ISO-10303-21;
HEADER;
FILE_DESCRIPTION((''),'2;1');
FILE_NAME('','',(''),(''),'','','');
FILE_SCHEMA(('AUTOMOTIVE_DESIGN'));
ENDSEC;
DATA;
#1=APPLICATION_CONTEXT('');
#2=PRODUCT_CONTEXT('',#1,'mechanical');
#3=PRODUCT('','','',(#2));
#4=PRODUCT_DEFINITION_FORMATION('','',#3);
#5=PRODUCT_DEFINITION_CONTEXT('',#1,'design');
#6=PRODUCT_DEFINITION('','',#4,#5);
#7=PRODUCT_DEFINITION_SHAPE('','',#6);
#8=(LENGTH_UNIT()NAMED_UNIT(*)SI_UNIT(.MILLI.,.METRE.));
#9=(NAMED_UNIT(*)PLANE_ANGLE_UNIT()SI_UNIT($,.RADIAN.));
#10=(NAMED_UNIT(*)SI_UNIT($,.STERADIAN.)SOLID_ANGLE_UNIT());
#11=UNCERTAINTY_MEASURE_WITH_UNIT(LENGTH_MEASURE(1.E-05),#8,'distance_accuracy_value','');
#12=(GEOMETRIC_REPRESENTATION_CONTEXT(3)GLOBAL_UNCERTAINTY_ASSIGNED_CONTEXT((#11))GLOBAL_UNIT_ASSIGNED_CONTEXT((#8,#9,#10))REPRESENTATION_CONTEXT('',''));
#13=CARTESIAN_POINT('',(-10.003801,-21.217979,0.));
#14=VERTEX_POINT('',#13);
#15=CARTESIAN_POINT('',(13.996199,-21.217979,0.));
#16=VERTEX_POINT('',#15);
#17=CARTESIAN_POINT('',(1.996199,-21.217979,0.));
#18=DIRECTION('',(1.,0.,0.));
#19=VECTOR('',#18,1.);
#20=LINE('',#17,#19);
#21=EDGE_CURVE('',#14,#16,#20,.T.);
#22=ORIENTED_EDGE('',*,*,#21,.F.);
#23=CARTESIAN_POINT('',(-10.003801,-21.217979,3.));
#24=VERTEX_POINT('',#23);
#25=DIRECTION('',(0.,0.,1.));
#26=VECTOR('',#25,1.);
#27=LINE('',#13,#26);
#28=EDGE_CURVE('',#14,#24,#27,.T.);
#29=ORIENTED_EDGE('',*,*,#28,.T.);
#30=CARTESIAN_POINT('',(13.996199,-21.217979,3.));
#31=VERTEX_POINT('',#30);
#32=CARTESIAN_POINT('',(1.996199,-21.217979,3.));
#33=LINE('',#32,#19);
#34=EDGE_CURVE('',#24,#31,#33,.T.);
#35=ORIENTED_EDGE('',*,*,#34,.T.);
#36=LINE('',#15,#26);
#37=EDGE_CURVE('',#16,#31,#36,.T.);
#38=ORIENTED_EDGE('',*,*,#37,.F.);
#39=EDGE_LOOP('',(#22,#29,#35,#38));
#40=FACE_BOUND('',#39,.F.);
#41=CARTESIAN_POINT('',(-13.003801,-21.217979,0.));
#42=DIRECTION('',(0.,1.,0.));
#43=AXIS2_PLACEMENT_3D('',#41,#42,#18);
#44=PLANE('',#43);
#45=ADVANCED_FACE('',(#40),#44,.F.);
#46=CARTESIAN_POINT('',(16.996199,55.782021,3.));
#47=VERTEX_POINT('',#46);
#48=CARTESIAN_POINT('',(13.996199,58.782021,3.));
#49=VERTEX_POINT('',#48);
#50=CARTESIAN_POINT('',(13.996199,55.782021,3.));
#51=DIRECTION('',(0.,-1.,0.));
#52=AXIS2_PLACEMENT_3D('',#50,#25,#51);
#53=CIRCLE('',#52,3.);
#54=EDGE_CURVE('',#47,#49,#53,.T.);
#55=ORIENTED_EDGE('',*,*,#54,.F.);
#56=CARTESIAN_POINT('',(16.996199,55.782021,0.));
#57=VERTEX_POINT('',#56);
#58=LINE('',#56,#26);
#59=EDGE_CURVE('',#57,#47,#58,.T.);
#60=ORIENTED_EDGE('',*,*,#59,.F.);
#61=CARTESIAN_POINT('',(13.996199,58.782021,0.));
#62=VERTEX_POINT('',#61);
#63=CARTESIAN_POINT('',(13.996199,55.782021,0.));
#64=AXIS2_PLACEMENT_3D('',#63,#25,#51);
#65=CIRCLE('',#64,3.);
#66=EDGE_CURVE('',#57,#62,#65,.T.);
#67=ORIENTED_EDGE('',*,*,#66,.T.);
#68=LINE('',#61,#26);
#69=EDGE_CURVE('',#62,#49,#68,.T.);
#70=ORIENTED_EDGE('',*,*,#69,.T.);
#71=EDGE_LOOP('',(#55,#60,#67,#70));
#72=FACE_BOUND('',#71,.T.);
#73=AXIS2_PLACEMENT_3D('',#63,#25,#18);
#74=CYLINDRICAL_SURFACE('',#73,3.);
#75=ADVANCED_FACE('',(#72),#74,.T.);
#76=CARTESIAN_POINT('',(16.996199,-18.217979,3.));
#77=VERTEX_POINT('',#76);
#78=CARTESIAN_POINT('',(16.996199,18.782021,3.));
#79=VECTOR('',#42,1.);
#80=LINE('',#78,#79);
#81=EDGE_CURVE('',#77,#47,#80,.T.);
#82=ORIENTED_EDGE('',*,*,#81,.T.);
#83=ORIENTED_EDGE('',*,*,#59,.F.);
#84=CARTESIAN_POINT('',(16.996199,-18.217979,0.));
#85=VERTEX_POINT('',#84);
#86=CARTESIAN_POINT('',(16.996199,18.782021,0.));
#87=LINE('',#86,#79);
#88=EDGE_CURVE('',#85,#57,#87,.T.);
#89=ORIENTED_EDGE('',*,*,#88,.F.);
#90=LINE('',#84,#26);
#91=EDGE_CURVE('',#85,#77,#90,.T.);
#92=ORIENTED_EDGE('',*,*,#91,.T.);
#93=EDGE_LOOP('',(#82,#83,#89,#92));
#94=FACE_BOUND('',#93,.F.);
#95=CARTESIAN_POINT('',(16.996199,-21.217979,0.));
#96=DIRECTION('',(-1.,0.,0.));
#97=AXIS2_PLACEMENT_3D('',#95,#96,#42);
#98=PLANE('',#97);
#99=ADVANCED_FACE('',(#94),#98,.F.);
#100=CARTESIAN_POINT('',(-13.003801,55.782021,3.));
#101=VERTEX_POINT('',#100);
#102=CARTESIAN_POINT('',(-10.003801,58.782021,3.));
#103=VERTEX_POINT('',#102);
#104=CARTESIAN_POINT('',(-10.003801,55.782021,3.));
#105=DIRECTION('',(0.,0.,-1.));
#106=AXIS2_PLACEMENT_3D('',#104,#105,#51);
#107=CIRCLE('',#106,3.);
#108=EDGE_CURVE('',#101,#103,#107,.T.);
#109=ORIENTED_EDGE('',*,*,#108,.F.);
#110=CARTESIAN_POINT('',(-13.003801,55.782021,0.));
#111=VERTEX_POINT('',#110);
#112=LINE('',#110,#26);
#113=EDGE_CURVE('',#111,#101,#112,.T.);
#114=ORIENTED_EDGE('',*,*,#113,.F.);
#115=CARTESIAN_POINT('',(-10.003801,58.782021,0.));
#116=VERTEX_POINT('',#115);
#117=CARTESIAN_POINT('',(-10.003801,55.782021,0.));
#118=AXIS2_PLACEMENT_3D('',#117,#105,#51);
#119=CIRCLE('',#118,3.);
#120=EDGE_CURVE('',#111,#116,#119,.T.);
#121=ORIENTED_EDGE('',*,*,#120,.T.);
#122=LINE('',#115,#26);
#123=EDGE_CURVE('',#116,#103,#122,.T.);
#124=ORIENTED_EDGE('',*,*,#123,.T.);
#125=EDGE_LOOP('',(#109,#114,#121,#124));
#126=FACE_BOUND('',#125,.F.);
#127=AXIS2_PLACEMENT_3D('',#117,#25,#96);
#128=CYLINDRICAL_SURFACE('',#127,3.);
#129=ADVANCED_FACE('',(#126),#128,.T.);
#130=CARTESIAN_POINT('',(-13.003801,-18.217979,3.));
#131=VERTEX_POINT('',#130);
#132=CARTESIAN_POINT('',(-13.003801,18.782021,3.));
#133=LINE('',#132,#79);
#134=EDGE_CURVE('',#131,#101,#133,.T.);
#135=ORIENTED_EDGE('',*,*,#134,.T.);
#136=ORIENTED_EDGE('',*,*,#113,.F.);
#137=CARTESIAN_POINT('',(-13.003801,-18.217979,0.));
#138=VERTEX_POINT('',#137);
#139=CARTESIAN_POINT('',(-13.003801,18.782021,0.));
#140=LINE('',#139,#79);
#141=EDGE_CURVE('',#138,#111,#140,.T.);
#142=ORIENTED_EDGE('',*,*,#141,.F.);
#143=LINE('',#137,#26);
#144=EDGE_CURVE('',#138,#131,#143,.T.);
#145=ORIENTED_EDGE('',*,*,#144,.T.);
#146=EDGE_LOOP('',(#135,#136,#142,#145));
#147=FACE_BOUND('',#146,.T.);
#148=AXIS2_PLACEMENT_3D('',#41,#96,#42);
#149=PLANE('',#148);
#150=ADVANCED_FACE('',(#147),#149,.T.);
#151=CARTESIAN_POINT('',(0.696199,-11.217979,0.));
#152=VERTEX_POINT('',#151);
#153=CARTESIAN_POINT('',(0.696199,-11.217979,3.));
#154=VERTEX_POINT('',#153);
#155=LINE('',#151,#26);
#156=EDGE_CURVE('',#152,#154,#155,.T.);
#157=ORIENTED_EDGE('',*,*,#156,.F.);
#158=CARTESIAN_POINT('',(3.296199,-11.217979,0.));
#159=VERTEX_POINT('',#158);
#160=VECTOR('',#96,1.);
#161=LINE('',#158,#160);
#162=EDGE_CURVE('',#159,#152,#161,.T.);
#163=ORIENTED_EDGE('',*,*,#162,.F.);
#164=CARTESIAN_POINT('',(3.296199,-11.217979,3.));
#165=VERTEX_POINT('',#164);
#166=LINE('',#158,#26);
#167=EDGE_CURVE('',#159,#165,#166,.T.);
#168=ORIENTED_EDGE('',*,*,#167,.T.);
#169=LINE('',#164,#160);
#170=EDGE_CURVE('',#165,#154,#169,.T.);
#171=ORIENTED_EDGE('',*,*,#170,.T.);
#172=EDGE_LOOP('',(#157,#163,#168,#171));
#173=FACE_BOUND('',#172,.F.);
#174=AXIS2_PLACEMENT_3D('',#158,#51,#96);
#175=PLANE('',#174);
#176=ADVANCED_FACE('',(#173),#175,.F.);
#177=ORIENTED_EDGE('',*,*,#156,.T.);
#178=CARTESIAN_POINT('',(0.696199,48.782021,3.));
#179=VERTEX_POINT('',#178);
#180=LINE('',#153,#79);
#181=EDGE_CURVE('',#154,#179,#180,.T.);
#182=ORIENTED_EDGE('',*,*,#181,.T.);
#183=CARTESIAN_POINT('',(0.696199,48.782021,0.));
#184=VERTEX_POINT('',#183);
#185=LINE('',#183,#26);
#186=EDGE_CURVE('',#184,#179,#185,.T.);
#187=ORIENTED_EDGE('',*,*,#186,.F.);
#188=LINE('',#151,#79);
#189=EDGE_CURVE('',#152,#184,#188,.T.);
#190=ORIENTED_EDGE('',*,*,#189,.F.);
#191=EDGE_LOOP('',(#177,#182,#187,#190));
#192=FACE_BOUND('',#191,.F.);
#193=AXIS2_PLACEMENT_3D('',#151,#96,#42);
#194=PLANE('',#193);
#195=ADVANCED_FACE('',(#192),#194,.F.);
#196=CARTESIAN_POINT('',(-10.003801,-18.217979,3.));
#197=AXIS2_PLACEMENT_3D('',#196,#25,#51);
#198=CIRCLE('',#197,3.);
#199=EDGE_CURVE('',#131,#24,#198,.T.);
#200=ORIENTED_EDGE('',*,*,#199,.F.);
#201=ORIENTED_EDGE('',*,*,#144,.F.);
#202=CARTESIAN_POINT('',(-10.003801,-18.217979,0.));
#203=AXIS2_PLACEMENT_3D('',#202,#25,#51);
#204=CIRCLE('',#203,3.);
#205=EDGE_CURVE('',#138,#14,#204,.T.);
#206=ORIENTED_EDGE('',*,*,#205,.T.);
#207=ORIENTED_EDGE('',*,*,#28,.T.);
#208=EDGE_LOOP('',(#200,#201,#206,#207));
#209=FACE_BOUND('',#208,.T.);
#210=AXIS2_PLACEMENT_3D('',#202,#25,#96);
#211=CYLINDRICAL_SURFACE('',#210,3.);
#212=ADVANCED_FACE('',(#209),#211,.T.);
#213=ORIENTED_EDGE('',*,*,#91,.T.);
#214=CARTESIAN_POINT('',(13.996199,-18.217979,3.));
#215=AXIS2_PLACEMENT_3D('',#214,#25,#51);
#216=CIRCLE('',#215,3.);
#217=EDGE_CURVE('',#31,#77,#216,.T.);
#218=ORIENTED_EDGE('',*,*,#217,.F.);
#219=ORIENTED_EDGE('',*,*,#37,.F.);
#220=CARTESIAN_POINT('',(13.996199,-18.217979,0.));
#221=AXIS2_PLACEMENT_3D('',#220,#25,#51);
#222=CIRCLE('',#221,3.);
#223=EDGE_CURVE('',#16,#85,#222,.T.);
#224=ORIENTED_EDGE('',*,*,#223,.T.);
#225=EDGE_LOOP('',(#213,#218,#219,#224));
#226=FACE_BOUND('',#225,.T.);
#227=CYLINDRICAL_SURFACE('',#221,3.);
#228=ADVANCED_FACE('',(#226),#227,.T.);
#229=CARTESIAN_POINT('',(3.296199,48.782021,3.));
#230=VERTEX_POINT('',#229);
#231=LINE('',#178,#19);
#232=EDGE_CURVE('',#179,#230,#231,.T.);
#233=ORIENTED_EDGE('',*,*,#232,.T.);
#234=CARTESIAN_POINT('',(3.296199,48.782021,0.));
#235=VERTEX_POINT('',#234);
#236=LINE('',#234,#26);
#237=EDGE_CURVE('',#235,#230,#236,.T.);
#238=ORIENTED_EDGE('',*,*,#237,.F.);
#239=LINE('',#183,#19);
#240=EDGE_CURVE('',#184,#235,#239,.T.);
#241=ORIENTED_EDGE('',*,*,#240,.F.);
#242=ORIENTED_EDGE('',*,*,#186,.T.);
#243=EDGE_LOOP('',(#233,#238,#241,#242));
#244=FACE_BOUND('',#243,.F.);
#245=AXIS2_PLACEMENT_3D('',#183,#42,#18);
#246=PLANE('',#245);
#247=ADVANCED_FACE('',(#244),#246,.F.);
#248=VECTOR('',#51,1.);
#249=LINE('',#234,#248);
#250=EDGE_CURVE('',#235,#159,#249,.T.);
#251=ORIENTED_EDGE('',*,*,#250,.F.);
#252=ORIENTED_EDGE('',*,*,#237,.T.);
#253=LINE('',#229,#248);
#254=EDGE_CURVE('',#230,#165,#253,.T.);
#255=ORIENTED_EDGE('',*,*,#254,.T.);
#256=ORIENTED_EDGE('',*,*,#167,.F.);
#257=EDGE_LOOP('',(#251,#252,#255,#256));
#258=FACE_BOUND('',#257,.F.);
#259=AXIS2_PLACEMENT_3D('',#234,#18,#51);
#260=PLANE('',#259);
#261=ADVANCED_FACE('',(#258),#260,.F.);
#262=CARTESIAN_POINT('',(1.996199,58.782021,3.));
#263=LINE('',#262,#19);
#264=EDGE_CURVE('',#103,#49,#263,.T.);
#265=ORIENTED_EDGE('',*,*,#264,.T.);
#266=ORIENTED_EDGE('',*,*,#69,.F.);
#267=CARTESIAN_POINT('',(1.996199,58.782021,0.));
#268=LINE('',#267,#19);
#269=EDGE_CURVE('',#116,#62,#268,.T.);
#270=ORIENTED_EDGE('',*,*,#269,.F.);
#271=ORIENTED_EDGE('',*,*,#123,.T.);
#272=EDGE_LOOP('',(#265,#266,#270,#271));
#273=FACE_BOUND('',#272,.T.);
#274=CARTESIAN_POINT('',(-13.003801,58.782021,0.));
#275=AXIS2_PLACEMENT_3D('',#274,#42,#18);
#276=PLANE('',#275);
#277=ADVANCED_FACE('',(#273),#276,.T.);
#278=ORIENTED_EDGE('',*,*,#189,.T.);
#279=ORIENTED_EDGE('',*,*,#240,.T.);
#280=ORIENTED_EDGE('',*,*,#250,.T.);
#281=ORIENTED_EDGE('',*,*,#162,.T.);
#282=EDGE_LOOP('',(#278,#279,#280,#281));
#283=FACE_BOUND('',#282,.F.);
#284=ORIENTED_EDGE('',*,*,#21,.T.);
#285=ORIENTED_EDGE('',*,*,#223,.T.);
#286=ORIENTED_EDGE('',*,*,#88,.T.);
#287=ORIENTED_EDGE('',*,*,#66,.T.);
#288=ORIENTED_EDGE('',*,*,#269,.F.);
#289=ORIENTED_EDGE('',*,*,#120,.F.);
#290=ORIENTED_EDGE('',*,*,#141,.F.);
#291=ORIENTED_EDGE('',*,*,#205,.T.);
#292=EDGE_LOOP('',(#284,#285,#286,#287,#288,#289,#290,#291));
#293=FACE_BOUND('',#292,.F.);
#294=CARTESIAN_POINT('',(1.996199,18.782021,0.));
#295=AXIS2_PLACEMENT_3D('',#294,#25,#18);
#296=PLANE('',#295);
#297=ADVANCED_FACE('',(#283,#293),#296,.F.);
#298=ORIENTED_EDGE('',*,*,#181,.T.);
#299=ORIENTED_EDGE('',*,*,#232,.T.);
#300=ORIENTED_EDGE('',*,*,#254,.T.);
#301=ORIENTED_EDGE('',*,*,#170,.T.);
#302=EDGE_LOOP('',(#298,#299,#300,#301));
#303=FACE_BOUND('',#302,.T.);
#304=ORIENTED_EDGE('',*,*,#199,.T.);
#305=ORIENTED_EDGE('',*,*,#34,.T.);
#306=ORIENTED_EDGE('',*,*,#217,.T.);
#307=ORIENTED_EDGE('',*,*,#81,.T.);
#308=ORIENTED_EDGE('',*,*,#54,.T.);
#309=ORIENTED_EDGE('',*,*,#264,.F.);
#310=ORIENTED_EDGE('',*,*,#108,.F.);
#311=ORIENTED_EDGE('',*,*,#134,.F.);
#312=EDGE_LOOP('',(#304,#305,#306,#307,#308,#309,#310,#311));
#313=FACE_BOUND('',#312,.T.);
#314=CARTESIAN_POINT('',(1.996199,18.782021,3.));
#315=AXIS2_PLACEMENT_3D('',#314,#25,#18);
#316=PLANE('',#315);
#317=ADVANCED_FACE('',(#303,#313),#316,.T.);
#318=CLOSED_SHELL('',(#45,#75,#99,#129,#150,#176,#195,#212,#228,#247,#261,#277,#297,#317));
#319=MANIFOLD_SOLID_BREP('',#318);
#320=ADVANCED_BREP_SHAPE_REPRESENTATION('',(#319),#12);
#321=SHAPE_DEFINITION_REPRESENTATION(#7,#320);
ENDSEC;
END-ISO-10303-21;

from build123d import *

# Parameters (mm, degrees)
F0_W     = 30
F0_H     = 80
F1_DEPTH = 3
F2_R     = 3


with BuildPart() as f1:
    # F0 (on Top) → F1 (new body)
    with BuildSketch(Plane.XY):
        with Locations((1.996199, 18.782021)):
            Rectangle(F0_W, F0_H)
        Polygon((0.696199, 48.782021), (1.996199, 48.782021), (3.296199, 48.782021), (3.296199, -11.217979), (1.996199, -11.217979), (0.696199, -11.217979), align=None, mode=Mode.SUBTRACT)
    extrude(amount=F1_DEPTH)

    # F2
    f2_edges = [f1.edges().sort_by_distance(p)[0] for p in [
        (16.996199, -21.217979, 1.5),
        (-13.003801, -21.217979, 1.5),
        (-13.003801, 58.782021, 1.5),
        (16.996199, 58.782021, 1.5),
    ]]
    fillet(f2_edges, radius=F2_R)


solid = f1.part
